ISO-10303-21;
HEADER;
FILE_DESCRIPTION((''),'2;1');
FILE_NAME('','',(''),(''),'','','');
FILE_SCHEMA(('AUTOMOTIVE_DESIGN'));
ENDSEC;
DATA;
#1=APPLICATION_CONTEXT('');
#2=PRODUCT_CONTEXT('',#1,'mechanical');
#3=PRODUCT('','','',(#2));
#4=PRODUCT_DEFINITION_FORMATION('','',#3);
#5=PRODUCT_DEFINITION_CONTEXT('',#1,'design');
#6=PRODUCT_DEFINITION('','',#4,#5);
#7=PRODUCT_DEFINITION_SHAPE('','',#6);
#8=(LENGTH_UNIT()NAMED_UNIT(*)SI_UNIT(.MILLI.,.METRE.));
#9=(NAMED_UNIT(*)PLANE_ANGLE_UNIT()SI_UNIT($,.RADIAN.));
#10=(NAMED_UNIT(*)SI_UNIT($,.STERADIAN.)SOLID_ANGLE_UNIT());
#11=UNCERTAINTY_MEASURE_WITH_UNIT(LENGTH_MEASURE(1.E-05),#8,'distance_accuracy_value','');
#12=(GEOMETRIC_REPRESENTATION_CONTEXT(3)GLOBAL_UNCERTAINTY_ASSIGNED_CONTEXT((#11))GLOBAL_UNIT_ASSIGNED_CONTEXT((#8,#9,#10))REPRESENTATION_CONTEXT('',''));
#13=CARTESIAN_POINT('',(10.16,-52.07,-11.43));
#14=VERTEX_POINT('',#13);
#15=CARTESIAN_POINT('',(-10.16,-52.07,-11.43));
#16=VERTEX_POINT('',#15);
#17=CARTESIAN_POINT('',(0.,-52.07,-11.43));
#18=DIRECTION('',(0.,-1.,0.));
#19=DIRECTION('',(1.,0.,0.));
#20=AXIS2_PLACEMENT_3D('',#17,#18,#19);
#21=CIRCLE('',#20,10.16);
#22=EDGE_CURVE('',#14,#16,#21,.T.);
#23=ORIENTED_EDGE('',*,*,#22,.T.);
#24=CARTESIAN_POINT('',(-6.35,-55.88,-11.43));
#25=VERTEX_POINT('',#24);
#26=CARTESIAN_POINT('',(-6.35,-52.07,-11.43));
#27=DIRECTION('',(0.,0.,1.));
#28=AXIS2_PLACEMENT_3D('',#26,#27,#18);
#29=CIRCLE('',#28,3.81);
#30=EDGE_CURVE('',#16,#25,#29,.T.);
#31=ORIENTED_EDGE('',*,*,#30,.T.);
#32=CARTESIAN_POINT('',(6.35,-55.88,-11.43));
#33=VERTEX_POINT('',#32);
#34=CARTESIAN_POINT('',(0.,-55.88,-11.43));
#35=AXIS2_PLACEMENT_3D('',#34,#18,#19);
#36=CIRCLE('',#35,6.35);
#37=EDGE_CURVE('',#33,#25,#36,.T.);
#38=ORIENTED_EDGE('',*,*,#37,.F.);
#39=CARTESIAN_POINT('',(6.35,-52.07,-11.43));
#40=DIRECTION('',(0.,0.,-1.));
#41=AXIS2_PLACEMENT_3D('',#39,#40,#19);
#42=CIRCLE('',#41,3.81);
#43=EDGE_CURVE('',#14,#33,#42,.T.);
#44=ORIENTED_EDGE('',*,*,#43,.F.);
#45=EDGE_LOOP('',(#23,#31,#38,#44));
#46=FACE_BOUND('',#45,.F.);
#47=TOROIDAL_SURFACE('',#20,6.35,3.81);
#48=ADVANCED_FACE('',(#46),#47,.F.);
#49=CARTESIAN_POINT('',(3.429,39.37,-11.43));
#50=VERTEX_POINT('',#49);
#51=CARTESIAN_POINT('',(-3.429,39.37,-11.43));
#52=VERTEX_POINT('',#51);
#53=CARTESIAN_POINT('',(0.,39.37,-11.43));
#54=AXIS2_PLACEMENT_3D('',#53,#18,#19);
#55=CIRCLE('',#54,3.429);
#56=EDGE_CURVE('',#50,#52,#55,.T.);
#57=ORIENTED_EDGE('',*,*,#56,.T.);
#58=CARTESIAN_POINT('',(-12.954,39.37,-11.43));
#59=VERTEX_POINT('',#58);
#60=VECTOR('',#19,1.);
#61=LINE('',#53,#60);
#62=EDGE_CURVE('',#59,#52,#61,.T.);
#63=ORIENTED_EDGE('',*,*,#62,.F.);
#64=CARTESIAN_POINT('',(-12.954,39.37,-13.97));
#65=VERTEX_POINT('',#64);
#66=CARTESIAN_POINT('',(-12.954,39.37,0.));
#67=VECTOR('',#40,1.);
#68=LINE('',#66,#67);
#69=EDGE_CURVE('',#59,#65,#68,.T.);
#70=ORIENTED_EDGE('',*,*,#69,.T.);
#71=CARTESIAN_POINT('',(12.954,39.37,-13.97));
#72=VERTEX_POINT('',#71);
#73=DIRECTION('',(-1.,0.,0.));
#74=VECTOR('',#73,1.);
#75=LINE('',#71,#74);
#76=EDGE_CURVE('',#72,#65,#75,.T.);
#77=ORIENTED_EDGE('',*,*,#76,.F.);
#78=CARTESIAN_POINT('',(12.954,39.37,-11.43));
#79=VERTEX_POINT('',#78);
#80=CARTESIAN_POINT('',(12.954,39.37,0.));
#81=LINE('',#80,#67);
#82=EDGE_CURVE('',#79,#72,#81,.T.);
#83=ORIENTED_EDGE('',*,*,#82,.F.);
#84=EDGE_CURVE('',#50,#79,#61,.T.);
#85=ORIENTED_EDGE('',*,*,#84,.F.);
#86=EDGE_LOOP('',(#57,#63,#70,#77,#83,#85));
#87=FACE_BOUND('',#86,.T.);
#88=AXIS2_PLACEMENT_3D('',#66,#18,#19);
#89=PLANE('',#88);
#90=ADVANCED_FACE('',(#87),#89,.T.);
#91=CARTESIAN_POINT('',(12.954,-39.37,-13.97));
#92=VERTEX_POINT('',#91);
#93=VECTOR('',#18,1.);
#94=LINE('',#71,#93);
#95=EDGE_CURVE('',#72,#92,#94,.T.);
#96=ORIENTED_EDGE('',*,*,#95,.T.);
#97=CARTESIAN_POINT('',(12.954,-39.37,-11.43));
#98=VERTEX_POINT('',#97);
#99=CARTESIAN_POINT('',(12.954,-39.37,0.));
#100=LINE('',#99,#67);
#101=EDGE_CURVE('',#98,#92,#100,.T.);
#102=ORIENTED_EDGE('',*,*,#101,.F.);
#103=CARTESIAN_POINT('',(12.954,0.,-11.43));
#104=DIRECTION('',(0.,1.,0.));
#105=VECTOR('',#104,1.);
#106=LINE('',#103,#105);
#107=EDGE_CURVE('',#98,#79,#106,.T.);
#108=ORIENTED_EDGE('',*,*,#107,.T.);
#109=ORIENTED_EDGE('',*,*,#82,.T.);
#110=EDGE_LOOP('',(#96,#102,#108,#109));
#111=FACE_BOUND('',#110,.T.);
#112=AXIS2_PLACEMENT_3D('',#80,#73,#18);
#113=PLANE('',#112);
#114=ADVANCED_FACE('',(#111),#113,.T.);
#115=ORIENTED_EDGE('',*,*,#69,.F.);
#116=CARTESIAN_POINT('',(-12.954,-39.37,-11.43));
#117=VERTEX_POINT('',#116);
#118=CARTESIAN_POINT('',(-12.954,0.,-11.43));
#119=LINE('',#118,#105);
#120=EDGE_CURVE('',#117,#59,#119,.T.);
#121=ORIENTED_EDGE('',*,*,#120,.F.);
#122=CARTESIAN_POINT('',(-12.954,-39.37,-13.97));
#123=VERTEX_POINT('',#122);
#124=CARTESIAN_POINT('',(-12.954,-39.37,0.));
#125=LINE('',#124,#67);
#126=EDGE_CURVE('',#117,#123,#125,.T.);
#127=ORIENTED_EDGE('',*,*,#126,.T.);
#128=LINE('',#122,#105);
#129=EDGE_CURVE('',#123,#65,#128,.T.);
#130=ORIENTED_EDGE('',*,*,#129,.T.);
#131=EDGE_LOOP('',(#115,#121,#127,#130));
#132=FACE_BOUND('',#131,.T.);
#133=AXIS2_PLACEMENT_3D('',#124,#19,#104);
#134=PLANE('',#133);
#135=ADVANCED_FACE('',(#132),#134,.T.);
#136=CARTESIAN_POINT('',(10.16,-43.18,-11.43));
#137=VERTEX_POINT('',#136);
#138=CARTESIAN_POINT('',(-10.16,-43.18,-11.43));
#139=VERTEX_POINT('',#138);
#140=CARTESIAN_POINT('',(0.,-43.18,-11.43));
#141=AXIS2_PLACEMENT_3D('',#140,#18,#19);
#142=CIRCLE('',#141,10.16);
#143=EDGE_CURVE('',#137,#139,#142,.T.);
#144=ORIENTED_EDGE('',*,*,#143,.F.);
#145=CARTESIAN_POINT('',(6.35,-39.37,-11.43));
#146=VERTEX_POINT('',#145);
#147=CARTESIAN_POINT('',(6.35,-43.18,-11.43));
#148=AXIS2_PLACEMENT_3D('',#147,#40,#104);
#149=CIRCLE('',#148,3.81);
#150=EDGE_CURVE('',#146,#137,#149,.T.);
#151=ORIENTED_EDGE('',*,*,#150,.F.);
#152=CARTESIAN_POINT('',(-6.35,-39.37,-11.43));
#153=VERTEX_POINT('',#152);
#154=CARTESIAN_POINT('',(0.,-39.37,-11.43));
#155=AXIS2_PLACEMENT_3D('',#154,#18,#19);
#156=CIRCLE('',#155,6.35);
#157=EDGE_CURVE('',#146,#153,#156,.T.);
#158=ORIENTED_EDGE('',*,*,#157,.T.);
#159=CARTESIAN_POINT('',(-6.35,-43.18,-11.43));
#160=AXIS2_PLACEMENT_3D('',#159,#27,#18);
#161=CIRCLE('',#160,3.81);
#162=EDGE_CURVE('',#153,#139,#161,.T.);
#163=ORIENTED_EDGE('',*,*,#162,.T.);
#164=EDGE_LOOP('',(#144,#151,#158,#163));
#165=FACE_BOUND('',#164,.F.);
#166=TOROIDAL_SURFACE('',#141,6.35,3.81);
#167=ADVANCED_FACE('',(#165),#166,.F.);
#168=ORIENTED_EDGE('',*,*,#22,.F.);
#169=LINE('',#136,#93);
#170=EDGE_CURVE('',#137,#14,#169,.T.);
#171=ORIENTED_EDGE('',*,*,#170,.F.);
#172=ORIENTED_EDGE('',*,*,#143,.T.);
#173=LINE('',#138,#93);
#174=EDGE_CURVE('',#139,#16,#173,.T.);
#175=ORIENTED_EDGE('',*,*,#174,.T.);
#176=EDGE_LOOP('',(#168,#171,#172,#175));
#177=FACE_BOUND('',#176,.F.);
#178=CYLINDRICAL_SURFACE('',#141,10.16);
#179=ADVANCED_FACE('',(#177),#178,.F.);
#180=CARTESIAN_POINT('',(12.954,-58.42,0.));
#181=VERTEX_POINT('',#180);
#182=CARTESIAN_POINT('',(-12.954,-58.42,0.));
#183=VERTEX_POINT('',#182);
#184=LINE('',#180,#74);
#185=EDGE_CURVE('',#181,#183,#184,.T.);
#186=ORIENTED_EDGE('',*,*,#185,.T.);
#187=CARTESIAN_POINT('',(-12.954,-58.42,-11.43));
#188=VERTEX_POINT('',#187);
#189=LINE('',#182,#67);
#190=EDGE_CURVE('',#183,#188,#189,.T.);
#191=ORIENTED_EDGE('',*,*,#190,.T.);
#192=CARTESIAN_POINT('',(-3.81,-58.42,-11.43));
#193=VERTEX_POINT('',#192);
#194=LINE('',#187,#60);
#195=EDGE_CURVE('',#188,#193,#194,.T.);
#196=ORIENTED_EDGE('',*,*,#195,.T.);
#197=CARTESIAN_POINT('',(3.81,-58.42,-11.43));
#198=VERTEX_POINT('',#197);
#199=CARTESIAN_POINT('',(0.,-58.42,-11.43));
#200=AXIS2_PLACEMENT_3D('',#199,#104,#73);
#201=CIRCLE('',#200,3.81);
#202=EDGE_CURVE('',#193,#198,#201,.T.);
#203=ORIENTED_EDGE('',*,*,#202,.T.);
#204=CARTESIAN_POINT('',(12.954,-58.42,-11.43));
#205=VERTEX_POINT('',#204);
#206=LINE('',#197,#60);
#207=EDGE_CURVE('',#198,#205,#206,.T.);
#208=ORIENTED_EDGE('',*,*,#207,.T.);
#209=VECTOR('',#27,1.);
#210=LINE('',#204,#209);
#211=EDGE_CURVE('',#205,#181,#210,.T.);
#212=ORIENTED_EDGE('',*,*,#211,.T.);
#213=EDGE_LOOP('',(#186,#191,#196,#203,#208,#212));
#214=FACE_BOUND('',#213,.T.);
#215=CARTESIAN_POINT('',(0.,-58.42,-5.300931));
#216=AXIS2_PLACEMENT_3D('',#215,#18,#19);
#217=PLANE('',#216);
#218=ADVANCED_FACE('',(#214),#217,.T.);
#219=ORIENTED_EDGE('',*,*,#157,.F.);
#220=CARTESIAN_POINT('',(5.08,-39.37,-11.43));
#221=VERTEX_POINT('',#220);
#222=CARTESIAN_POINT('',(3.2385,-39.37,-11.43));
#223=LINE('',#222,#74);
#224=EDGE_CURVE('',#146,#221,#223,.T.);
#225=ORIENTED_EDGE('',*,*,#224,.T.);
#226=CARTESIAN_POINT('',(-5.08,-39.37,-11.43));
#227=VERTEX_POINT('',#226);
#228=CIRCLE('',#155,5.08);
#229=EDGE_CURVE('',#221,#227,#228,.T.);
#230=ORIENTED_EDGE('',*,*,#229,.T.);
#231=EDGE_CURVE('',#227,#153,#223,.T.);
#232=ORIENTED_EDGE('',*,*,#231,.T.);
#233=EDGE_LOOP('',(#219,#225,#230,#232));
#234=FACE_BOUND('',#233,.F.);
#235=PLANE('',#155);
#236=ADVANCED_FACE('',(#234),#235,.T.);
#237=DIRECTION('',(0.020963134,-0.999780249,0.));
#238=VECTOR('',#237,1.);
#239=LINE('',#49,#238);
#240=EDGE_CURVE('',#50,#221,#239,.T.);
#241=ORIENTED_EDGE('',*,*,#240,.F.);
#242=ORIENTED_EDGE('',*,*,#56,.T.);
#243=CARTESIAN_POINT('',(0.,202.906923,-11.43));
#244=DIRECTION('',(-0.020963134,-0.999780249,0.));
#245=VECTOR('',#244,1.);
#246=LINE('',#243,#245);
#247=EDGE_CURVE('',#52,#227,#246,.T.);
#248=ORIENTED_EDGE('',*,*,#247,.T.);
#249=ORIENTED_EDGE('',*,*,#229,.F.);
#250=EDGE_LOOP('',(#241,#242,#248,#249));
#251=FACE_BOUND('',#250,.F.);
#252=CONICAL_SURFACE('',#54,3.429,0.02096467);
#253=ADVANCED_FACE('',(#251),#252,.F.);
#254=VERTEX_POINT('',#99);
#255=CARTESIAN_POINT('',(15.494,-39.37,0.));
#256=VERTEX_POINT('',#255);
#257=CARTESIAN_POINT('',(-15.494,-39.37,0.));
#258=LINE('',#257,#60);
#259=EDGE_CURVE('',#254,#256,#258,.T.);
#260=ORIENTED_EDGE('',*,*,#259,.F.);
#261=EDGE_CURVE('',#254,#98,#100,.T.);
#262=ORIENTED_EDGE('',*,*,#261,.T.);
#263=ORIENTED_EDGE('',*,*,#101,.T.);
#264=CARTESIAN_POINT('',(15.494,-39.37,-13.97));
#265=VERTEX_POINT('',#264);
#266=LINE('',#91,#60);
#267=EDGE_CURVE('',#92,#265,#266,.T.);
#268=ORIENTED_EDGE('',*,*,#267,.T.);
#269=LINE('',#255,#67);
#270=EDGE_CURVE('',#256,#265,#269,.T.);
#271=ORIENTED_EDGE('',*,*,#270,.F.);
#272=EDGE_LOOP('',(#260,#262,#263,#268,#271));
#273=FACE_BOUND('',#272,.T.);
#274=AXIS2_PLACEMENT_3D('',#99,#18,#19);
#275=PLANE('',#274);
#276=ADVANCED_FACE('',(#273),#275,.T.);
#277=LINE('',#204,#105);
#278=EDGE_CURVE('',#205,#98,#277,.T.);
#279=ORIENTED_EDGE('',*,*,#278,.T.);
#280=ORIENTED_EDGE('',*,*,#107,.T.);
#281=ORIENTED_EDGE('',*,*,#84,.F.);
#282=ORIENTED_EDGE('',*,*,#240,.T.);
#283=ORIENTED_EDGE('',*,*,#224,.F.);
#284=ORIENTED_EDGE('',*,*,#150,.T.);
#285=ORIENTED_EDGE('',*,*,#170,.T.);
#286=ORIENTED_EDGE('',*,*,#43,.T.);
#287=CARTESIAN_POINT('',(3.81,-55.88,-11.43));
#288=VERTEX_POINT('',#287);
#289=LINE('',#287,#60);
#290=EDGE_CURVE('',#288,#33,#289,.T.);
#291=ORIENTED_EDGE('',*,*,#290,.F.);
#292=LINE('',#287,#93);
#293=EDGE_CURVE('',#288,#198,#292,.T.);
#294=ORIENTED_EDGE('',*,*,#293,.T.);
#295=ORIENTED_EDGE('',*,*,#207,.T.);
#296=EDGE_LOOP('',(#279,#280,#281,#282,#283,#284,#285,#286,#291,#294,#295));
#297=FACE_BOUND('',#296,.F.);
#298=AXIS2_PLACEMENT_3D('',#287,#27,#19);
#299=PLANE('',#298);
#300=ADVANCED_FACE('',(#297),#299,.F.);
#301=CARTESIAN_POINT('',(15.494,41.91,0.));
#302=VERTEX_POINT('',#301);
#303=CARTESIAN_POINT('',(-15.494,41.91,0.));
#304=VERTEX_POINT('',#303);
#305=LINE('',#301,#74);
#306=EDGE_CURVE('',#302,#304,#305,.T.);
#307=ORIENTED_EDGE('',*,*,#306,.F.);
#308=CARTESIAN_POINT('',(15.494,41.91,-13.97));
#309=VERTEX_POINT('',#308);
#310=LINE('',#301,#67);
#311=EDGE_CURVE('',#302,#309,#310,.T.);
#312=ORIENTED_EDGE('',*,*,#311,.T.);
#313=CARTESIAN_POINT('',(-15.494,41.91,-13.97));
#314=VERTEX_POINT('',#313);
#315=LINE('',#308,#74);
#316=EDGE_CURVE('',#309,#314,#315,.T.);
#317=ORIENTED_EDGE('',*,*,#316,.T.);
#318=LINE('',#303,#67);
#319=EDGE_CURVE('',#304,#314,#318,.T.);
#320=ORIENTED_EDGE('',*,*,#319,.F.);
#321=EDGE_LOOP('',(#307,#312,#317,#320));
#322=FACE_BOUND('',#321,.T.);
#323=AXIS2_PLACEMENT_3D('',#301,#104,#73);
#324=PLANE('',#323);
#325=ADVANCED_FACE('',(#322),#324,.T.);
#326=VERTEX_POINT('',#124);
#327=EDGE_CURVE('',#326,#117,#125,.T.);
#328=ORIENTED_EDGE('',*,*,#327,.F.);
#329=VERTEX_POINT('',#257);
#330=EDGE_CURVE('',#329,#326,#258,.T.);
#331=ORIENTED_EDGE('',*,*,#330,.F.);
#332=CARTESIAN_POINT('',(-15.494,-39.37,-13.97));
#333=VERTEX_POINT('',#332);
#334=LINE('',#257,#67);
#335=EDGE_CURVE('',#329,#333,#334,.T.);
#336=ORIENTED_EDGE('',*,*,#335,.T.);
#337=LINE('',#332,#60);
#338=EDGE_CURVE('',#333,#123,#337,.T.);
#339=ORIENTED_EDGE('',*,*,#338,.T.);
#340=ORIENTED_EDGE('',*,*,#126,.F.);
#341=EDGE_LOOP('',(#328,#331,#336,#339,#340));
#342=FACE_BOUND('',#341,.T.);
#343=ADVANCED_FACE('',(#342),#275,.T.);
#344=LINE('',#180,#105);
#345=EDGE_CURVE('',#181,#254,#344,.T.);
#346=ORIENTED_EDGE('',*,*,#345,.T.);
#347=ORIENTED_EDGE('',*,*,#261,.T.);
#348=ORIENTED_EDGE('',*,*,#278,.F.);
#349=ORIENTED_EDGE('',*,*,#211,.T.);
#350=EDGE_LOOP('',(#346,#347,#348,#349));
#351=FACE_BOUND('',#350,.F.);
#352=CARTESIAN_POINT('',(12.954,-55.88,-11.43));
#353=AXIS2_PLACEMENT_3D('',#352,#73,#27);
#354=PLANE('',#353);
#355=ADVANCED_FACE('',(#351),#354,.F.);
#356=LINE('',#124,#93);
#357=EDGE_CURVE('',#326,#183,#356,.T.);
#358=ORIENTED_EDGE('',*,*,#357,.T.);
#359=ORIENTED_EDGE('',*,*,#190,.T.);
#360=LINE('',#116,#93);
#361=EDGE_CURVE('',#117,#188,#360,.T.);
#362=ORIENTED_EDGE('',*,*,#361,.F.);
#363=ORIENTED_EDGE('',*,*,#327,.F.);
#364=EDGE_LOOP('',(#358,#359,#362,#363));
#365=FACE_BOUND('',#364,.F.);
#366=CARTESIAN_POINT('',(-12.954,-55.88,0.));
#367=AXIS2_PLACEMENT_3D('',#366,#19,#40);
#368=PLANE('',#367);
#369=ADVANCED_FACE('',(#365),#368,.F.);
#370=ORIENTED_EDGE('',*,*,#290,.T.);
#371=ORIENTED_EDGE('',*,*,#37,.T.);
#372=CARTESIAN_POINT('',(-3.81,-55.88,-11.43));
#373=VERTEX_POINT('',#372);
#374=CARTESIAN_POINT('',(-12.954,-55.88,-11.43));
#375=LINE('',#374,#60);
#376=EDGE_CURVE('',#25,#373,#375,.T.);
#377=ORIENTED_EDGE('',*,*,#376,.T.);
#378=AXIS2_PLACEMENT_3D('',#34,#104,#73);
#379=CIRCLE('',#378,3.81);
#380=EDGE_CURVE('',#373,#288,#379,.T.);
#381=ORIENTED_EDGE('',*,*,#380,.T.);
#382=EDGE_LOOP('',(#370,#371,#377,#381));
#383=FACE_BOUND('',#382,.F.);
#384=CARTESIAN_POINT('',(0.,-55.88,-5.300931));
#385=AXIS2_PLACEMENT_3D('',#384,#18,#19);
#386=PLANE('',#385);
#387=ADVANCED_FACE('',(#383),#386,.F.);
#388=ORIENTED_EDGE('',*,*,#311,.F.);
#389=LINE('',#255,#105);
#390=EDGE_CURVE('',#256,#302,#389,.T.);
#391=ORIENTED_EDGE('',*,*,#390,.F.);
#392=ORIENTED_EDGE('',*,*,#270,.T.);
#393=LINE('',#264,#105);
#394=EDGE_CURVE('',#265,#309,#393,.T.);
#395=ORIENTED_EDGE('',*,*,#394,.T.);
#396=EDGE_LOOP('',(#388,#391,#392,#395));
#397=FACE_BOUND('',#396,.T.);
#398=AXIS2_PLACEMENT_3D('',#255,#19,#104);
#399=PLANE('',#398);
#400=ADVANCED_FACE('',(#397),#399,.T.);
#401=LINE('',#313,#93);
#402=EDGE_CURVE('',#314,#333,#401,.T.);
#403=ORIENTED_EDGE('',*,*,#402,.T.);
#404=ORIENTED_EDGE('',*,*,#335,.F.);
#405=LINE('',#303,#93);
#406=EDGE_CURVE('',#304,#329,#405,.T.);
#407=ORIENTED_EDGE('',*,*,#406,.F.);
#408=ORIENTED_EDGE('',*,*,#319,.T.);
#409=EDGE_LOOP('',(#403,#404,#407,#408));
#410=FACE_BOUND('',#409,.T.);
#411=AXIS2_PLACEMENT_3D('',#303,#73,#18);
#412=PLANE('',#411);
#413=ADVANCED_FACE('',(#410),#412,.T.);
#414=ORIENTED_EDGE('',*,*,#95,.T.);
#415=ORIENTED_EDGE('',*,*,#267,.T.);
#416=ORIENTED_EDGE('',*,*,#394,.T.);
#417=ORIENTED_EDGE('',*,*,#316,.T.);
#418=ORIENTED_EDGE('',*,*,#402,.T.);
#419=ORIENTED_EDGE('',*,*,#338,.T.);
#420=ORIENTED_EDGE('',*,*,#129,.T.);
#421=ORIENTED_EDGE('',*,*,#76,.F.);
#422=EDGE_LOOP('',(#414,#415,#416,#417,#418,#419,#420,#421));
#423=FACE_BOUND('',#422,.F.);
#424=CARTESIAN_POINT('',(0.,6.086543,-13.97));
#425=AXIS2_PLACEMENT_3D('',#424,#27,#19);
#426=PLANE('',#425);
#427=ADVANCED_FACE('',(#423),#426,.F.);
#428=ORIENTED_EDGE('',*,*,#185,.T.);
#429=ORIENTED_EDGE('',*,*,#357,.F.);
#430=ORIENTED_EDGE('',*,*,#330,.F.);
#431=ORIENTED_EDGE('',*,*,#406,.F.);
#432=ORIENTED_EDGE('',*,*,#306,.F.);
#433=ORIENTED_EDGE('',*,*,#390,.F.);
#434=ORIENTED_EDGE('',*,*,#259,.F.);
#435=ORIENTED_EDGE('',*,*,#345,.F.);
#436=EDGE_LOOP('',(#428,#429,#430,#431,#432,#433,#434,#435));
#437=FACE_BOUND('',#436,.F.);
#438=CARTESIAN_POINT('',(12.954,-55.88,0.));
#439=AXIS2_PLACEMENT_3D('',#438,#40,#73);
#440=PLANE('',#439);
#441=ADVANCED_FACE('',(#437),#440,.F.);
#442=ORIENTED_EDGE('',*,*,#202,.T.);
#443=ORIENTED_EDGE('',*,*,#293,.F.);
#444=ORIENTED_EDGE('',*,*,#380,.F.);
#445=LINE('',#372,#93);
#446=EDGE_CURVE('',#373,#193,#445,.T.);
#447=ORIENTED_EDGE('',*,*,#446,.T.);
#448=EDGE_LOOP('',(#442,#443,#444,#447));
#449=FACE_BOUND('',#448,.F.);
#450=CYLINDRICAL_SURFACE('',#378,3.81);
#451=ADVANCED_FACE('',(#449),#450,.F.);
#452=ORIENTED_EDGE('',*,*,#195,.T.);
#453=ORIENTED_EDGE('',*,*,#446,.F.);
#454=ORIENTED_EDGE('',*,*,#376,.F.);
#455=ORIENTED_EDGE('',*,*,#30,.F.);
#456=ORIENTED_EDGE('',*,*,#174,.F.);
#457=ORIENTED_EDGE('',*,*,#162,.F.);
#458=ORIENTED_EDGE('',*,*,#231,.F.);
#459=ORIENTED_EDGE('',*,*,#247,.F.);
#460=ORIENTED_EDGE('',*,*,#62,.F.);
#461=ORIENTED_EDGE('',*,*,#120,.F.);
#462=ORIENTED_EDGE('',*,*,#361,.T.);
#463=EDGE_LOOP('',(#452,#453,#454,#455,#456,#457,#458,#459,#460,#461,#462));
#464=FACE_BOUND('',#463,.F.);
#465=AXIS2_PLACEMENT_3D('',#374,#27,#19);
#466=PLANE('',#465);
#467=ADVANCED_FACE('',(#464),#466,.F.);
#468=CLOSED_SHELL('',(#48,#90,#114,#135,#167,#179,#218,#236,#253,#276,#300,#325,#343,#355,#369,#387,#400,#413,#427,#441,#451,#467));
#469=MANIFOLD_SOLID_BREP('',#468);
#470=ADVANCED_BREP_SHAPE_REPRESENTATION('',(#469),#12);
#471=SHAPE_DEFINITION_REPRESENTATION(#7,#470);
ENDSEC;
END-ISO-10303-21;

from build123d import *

# Parameters (mm, degrees)
F0_W      = 25.908
F0_H      = 78.74
F1_DEPTH  = 11.43
F3_DEPTH  = 13.97
F6_W      = 12.954
F6_H      = 16.51
F7_DEPTH  = 11.43
F11_DEPTH = 2.54


with BuildPart() as f1:
    # F0 (on Top) → F1 (new body)
    with BuildSketch(Plane.XY):
        Rectangle(F0_W, F0_H)
    extrude(amount=-F1_DEPTH)

    # F2 (on Top) → F3 (join)
    with BuildSketch(Plane.XY):
        Polygon((15.494, 41.91), (-15.494, 41.91), (-15.494, -39.37), (-12.954, -39.37), (-12.954, 39.37), (12.954, 39.37), (12.954, -39.37), (15.494, -39.37), align=None)
    extrude(amount=-F3_DEPTH)

    # F4 (on face) → F5 (revolve, cut)
    with BuildSketch(Plane(origin=(0, 0, -11.43), x_dir=(1, 0, 0), z_dir=(0, 0, -1))):
        Polygon((3.429, -39.37), (5.08, 39.37), (0, 39.37), (0, -39.37), align=None)
    revolve(axis=Axis((0, 0, -11.43), (0, -1, 0)), mode=Mode.SUBTRACT)

    # F6 (on Top) → F7 (join)
    with BuildSketch(Plane.XY):
        with Locations((6.477, -47.625)):
            Rectangle(F6_W, F6_H)
        with Locations((-6.477, -47.625)):
            Rectangle(F6_W, F6_H)
    extrude(amount=-F7_DEPTH)

    # F8 (on face) → F9 (revolve, cut)
    with BuildSketch(Plane(origin=(0, 0, -11.43), x_dir=(1, 0, 0), z_dir=(0, 0, -1))):
        with BuildLine():
            Line((6.35, 55.88), (0, 55.88))
            Line((0, 55.88), (0, 39.37))
            Line((0, 39.37), (5.08, 39.37))
            Line((5.08, 39.37), (6.35, 39.37))
            ThreePointArc((6.35, 39.37), (9.0440768363, 40.4859231637), (10.16, 43.18))
            Line((10.16, 43.18), (10.16, 52.07))
            ThreePointArc((10.16, 52.07), (9.0440768363, 54.7640768363), (6.35, 55.88))
        make_face()
    revolve(axis=Axis((0, -47.625, -11.43), (0, -1, 0)), mode=Mode.SUBTRACT)

    # F10 (on face) → F11 (join)
    with BuildSketch(Plane.XZ.offset(55.88)):
        with BuildLine():
            Line((12.954, 0), (-12.954, 0))
            Line((-12.954, 0), (-12.954, -11.43))
            Line((-12.954, -11.43), (-6.35, -11.43))
            ThreePointArc((-6.35, -11.43), (0, -5.08), (6.35, -11.43))
            Line((6.35, -11.43), (12.954, -11.43))
            Line((12.954, -11.43), (12.954, 0))
        make_face()
        with BuildLine():
            ThreePointArc((6.35, -11.43), (0, -5.08), (-6.35, -11.43))
            Line((-6.35, -11.43), (-3.81, -11.43))
            ThreePointArc((-3.81, -11.43), (0, -7.62), (3.81, -11.43))
            Line((3.81, -11.43), (6.35, -11.43))
        make_face()
    extrude(amount=F11_DEPTH)


solid = f1.part
